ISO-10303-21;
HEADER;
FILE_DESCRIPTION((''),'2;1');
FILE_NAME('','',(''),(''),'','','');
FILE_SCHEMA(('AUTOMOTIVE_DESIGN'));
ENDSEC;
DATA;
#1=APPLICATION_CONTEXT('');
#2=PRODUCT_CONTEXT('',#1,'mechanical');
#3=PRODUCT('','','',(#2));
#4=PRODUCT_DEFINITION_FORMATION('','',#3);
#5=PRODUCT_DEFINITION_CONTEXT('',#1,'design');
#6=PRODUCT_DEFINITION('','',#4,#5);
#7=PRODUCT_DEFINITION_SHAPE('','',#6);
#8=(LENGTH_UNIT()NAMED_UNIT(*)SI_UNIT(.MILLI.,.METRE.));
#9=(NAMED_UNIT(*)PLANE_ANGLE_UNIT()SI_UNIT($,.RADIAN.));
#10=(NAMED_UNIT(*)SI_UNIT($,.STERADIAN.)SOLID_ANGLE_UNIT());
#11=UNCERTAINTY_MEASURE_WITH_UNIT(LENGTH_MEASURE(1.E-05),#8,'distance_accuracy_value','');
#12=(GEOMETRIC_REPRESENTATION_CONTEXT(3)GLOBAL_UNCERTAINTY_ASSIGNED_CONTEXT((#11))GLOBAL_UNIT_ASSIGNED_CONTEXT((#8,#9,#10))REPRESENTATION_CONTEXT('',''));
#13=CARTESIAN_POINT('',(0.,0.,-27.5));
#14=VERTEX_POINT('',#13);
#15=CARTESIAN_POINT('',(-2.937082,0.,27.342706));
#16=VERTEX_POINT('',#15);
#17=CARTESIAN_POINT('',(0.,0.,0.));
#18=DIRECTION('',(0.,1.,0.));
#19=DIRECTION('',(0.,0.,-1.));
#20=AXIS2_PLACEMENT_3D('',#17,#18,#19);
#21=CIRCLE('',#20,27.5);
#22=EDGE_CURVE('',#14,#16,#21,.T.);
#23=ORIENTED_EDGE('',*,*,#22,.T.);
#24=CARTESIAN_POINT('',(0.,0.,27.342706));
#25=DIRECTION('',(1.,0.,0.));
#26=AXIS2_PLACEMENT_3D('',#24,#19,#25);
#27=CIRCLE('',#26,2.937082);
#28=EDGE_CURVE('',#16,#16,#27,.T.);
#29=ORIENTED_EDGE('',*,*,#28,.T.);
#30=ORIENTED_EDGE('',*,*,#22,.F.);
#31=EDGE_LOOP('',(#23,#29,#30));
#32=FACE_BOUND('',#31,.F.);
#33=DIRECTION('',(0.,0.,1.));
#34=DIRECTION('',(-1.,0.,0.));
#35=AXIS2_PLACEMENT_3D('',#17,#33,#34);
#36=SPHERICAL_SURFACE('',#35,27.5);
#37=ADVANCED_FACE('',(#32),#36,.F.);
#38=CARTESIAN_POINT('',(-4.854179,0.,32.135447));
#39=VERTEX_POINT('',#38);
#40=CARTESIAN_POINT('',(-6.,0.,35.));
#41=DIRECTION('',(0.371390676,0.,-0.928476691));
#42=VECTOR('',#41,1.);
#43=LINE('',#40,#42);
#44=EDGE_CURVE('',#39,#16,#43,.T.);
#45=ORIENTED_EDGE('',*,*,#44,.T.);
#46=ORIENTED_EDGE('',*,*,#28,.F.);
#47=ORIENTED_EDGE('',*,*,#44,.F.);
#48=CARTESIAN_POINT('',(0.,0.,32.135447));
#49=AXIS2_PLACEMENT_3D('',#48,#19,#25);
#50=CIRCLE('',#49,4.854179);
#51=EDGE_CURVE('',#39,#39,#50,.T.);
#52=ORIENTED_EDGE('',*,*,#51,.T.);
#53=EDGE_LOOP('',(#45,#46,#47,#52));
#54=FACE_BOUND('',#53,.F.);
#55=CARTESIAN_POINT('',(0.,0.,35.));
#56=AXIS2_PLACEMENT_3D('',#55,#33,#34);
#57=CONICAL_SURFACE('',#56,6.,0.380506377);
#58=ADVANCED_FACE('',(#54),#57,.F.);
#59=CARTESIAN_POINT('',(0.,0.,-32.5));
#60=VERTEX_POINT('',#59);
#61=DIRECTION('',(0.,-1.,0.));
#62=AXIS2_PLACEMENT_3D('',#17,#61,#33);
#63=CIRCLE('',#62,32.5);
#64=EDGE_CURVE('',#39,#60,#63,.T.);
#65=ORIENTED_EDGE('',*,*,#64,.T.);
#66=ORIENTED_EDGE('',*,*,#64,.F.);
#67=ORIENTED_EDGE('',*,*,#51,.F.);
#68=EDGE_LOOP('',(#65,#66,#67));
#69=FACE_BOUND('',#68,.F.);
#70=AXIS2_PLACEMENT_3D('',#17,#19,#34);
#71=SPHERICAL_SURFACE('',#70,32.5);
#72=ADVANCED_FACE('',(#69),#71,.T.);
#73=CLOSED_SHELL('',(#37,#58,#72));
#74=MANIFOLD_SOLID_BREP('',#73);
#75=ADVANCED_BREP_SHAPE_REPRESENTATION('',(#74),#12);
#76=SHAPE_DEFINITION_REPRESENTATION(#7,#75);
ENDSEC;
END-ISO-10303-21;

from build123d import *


with BuildPart() as f1:
    # F0 (on Front) → F1 (revolve)
    with BuildSketch(Plane.XZ):
        with BuildLine():
            ThreePointArc((0, 32.5), (-32.5, 0), (0, -32.5))
            Line((0, -32.5), (0, -27.5))
            ThreePointArc((0, -27.5), (-27.5, 0), (0, 27.5))
            Line((0, 27.5), (0, 32.5))
        make_face()
    revolve(axis=Axis((0, 0, 0), (0, 0, 1)))

    # F2 (on Front) → F3 (revolve, cut)
    with BuildSketch(Plane.XZ):
        Polygon((-6, 35), (0, 20), (0, 35), align=None)
    revolve(axis=Axis((0, 0, 27.5), (0, 0, -1)), mode=Mode.SUBTRACT)


solid = f1.part
